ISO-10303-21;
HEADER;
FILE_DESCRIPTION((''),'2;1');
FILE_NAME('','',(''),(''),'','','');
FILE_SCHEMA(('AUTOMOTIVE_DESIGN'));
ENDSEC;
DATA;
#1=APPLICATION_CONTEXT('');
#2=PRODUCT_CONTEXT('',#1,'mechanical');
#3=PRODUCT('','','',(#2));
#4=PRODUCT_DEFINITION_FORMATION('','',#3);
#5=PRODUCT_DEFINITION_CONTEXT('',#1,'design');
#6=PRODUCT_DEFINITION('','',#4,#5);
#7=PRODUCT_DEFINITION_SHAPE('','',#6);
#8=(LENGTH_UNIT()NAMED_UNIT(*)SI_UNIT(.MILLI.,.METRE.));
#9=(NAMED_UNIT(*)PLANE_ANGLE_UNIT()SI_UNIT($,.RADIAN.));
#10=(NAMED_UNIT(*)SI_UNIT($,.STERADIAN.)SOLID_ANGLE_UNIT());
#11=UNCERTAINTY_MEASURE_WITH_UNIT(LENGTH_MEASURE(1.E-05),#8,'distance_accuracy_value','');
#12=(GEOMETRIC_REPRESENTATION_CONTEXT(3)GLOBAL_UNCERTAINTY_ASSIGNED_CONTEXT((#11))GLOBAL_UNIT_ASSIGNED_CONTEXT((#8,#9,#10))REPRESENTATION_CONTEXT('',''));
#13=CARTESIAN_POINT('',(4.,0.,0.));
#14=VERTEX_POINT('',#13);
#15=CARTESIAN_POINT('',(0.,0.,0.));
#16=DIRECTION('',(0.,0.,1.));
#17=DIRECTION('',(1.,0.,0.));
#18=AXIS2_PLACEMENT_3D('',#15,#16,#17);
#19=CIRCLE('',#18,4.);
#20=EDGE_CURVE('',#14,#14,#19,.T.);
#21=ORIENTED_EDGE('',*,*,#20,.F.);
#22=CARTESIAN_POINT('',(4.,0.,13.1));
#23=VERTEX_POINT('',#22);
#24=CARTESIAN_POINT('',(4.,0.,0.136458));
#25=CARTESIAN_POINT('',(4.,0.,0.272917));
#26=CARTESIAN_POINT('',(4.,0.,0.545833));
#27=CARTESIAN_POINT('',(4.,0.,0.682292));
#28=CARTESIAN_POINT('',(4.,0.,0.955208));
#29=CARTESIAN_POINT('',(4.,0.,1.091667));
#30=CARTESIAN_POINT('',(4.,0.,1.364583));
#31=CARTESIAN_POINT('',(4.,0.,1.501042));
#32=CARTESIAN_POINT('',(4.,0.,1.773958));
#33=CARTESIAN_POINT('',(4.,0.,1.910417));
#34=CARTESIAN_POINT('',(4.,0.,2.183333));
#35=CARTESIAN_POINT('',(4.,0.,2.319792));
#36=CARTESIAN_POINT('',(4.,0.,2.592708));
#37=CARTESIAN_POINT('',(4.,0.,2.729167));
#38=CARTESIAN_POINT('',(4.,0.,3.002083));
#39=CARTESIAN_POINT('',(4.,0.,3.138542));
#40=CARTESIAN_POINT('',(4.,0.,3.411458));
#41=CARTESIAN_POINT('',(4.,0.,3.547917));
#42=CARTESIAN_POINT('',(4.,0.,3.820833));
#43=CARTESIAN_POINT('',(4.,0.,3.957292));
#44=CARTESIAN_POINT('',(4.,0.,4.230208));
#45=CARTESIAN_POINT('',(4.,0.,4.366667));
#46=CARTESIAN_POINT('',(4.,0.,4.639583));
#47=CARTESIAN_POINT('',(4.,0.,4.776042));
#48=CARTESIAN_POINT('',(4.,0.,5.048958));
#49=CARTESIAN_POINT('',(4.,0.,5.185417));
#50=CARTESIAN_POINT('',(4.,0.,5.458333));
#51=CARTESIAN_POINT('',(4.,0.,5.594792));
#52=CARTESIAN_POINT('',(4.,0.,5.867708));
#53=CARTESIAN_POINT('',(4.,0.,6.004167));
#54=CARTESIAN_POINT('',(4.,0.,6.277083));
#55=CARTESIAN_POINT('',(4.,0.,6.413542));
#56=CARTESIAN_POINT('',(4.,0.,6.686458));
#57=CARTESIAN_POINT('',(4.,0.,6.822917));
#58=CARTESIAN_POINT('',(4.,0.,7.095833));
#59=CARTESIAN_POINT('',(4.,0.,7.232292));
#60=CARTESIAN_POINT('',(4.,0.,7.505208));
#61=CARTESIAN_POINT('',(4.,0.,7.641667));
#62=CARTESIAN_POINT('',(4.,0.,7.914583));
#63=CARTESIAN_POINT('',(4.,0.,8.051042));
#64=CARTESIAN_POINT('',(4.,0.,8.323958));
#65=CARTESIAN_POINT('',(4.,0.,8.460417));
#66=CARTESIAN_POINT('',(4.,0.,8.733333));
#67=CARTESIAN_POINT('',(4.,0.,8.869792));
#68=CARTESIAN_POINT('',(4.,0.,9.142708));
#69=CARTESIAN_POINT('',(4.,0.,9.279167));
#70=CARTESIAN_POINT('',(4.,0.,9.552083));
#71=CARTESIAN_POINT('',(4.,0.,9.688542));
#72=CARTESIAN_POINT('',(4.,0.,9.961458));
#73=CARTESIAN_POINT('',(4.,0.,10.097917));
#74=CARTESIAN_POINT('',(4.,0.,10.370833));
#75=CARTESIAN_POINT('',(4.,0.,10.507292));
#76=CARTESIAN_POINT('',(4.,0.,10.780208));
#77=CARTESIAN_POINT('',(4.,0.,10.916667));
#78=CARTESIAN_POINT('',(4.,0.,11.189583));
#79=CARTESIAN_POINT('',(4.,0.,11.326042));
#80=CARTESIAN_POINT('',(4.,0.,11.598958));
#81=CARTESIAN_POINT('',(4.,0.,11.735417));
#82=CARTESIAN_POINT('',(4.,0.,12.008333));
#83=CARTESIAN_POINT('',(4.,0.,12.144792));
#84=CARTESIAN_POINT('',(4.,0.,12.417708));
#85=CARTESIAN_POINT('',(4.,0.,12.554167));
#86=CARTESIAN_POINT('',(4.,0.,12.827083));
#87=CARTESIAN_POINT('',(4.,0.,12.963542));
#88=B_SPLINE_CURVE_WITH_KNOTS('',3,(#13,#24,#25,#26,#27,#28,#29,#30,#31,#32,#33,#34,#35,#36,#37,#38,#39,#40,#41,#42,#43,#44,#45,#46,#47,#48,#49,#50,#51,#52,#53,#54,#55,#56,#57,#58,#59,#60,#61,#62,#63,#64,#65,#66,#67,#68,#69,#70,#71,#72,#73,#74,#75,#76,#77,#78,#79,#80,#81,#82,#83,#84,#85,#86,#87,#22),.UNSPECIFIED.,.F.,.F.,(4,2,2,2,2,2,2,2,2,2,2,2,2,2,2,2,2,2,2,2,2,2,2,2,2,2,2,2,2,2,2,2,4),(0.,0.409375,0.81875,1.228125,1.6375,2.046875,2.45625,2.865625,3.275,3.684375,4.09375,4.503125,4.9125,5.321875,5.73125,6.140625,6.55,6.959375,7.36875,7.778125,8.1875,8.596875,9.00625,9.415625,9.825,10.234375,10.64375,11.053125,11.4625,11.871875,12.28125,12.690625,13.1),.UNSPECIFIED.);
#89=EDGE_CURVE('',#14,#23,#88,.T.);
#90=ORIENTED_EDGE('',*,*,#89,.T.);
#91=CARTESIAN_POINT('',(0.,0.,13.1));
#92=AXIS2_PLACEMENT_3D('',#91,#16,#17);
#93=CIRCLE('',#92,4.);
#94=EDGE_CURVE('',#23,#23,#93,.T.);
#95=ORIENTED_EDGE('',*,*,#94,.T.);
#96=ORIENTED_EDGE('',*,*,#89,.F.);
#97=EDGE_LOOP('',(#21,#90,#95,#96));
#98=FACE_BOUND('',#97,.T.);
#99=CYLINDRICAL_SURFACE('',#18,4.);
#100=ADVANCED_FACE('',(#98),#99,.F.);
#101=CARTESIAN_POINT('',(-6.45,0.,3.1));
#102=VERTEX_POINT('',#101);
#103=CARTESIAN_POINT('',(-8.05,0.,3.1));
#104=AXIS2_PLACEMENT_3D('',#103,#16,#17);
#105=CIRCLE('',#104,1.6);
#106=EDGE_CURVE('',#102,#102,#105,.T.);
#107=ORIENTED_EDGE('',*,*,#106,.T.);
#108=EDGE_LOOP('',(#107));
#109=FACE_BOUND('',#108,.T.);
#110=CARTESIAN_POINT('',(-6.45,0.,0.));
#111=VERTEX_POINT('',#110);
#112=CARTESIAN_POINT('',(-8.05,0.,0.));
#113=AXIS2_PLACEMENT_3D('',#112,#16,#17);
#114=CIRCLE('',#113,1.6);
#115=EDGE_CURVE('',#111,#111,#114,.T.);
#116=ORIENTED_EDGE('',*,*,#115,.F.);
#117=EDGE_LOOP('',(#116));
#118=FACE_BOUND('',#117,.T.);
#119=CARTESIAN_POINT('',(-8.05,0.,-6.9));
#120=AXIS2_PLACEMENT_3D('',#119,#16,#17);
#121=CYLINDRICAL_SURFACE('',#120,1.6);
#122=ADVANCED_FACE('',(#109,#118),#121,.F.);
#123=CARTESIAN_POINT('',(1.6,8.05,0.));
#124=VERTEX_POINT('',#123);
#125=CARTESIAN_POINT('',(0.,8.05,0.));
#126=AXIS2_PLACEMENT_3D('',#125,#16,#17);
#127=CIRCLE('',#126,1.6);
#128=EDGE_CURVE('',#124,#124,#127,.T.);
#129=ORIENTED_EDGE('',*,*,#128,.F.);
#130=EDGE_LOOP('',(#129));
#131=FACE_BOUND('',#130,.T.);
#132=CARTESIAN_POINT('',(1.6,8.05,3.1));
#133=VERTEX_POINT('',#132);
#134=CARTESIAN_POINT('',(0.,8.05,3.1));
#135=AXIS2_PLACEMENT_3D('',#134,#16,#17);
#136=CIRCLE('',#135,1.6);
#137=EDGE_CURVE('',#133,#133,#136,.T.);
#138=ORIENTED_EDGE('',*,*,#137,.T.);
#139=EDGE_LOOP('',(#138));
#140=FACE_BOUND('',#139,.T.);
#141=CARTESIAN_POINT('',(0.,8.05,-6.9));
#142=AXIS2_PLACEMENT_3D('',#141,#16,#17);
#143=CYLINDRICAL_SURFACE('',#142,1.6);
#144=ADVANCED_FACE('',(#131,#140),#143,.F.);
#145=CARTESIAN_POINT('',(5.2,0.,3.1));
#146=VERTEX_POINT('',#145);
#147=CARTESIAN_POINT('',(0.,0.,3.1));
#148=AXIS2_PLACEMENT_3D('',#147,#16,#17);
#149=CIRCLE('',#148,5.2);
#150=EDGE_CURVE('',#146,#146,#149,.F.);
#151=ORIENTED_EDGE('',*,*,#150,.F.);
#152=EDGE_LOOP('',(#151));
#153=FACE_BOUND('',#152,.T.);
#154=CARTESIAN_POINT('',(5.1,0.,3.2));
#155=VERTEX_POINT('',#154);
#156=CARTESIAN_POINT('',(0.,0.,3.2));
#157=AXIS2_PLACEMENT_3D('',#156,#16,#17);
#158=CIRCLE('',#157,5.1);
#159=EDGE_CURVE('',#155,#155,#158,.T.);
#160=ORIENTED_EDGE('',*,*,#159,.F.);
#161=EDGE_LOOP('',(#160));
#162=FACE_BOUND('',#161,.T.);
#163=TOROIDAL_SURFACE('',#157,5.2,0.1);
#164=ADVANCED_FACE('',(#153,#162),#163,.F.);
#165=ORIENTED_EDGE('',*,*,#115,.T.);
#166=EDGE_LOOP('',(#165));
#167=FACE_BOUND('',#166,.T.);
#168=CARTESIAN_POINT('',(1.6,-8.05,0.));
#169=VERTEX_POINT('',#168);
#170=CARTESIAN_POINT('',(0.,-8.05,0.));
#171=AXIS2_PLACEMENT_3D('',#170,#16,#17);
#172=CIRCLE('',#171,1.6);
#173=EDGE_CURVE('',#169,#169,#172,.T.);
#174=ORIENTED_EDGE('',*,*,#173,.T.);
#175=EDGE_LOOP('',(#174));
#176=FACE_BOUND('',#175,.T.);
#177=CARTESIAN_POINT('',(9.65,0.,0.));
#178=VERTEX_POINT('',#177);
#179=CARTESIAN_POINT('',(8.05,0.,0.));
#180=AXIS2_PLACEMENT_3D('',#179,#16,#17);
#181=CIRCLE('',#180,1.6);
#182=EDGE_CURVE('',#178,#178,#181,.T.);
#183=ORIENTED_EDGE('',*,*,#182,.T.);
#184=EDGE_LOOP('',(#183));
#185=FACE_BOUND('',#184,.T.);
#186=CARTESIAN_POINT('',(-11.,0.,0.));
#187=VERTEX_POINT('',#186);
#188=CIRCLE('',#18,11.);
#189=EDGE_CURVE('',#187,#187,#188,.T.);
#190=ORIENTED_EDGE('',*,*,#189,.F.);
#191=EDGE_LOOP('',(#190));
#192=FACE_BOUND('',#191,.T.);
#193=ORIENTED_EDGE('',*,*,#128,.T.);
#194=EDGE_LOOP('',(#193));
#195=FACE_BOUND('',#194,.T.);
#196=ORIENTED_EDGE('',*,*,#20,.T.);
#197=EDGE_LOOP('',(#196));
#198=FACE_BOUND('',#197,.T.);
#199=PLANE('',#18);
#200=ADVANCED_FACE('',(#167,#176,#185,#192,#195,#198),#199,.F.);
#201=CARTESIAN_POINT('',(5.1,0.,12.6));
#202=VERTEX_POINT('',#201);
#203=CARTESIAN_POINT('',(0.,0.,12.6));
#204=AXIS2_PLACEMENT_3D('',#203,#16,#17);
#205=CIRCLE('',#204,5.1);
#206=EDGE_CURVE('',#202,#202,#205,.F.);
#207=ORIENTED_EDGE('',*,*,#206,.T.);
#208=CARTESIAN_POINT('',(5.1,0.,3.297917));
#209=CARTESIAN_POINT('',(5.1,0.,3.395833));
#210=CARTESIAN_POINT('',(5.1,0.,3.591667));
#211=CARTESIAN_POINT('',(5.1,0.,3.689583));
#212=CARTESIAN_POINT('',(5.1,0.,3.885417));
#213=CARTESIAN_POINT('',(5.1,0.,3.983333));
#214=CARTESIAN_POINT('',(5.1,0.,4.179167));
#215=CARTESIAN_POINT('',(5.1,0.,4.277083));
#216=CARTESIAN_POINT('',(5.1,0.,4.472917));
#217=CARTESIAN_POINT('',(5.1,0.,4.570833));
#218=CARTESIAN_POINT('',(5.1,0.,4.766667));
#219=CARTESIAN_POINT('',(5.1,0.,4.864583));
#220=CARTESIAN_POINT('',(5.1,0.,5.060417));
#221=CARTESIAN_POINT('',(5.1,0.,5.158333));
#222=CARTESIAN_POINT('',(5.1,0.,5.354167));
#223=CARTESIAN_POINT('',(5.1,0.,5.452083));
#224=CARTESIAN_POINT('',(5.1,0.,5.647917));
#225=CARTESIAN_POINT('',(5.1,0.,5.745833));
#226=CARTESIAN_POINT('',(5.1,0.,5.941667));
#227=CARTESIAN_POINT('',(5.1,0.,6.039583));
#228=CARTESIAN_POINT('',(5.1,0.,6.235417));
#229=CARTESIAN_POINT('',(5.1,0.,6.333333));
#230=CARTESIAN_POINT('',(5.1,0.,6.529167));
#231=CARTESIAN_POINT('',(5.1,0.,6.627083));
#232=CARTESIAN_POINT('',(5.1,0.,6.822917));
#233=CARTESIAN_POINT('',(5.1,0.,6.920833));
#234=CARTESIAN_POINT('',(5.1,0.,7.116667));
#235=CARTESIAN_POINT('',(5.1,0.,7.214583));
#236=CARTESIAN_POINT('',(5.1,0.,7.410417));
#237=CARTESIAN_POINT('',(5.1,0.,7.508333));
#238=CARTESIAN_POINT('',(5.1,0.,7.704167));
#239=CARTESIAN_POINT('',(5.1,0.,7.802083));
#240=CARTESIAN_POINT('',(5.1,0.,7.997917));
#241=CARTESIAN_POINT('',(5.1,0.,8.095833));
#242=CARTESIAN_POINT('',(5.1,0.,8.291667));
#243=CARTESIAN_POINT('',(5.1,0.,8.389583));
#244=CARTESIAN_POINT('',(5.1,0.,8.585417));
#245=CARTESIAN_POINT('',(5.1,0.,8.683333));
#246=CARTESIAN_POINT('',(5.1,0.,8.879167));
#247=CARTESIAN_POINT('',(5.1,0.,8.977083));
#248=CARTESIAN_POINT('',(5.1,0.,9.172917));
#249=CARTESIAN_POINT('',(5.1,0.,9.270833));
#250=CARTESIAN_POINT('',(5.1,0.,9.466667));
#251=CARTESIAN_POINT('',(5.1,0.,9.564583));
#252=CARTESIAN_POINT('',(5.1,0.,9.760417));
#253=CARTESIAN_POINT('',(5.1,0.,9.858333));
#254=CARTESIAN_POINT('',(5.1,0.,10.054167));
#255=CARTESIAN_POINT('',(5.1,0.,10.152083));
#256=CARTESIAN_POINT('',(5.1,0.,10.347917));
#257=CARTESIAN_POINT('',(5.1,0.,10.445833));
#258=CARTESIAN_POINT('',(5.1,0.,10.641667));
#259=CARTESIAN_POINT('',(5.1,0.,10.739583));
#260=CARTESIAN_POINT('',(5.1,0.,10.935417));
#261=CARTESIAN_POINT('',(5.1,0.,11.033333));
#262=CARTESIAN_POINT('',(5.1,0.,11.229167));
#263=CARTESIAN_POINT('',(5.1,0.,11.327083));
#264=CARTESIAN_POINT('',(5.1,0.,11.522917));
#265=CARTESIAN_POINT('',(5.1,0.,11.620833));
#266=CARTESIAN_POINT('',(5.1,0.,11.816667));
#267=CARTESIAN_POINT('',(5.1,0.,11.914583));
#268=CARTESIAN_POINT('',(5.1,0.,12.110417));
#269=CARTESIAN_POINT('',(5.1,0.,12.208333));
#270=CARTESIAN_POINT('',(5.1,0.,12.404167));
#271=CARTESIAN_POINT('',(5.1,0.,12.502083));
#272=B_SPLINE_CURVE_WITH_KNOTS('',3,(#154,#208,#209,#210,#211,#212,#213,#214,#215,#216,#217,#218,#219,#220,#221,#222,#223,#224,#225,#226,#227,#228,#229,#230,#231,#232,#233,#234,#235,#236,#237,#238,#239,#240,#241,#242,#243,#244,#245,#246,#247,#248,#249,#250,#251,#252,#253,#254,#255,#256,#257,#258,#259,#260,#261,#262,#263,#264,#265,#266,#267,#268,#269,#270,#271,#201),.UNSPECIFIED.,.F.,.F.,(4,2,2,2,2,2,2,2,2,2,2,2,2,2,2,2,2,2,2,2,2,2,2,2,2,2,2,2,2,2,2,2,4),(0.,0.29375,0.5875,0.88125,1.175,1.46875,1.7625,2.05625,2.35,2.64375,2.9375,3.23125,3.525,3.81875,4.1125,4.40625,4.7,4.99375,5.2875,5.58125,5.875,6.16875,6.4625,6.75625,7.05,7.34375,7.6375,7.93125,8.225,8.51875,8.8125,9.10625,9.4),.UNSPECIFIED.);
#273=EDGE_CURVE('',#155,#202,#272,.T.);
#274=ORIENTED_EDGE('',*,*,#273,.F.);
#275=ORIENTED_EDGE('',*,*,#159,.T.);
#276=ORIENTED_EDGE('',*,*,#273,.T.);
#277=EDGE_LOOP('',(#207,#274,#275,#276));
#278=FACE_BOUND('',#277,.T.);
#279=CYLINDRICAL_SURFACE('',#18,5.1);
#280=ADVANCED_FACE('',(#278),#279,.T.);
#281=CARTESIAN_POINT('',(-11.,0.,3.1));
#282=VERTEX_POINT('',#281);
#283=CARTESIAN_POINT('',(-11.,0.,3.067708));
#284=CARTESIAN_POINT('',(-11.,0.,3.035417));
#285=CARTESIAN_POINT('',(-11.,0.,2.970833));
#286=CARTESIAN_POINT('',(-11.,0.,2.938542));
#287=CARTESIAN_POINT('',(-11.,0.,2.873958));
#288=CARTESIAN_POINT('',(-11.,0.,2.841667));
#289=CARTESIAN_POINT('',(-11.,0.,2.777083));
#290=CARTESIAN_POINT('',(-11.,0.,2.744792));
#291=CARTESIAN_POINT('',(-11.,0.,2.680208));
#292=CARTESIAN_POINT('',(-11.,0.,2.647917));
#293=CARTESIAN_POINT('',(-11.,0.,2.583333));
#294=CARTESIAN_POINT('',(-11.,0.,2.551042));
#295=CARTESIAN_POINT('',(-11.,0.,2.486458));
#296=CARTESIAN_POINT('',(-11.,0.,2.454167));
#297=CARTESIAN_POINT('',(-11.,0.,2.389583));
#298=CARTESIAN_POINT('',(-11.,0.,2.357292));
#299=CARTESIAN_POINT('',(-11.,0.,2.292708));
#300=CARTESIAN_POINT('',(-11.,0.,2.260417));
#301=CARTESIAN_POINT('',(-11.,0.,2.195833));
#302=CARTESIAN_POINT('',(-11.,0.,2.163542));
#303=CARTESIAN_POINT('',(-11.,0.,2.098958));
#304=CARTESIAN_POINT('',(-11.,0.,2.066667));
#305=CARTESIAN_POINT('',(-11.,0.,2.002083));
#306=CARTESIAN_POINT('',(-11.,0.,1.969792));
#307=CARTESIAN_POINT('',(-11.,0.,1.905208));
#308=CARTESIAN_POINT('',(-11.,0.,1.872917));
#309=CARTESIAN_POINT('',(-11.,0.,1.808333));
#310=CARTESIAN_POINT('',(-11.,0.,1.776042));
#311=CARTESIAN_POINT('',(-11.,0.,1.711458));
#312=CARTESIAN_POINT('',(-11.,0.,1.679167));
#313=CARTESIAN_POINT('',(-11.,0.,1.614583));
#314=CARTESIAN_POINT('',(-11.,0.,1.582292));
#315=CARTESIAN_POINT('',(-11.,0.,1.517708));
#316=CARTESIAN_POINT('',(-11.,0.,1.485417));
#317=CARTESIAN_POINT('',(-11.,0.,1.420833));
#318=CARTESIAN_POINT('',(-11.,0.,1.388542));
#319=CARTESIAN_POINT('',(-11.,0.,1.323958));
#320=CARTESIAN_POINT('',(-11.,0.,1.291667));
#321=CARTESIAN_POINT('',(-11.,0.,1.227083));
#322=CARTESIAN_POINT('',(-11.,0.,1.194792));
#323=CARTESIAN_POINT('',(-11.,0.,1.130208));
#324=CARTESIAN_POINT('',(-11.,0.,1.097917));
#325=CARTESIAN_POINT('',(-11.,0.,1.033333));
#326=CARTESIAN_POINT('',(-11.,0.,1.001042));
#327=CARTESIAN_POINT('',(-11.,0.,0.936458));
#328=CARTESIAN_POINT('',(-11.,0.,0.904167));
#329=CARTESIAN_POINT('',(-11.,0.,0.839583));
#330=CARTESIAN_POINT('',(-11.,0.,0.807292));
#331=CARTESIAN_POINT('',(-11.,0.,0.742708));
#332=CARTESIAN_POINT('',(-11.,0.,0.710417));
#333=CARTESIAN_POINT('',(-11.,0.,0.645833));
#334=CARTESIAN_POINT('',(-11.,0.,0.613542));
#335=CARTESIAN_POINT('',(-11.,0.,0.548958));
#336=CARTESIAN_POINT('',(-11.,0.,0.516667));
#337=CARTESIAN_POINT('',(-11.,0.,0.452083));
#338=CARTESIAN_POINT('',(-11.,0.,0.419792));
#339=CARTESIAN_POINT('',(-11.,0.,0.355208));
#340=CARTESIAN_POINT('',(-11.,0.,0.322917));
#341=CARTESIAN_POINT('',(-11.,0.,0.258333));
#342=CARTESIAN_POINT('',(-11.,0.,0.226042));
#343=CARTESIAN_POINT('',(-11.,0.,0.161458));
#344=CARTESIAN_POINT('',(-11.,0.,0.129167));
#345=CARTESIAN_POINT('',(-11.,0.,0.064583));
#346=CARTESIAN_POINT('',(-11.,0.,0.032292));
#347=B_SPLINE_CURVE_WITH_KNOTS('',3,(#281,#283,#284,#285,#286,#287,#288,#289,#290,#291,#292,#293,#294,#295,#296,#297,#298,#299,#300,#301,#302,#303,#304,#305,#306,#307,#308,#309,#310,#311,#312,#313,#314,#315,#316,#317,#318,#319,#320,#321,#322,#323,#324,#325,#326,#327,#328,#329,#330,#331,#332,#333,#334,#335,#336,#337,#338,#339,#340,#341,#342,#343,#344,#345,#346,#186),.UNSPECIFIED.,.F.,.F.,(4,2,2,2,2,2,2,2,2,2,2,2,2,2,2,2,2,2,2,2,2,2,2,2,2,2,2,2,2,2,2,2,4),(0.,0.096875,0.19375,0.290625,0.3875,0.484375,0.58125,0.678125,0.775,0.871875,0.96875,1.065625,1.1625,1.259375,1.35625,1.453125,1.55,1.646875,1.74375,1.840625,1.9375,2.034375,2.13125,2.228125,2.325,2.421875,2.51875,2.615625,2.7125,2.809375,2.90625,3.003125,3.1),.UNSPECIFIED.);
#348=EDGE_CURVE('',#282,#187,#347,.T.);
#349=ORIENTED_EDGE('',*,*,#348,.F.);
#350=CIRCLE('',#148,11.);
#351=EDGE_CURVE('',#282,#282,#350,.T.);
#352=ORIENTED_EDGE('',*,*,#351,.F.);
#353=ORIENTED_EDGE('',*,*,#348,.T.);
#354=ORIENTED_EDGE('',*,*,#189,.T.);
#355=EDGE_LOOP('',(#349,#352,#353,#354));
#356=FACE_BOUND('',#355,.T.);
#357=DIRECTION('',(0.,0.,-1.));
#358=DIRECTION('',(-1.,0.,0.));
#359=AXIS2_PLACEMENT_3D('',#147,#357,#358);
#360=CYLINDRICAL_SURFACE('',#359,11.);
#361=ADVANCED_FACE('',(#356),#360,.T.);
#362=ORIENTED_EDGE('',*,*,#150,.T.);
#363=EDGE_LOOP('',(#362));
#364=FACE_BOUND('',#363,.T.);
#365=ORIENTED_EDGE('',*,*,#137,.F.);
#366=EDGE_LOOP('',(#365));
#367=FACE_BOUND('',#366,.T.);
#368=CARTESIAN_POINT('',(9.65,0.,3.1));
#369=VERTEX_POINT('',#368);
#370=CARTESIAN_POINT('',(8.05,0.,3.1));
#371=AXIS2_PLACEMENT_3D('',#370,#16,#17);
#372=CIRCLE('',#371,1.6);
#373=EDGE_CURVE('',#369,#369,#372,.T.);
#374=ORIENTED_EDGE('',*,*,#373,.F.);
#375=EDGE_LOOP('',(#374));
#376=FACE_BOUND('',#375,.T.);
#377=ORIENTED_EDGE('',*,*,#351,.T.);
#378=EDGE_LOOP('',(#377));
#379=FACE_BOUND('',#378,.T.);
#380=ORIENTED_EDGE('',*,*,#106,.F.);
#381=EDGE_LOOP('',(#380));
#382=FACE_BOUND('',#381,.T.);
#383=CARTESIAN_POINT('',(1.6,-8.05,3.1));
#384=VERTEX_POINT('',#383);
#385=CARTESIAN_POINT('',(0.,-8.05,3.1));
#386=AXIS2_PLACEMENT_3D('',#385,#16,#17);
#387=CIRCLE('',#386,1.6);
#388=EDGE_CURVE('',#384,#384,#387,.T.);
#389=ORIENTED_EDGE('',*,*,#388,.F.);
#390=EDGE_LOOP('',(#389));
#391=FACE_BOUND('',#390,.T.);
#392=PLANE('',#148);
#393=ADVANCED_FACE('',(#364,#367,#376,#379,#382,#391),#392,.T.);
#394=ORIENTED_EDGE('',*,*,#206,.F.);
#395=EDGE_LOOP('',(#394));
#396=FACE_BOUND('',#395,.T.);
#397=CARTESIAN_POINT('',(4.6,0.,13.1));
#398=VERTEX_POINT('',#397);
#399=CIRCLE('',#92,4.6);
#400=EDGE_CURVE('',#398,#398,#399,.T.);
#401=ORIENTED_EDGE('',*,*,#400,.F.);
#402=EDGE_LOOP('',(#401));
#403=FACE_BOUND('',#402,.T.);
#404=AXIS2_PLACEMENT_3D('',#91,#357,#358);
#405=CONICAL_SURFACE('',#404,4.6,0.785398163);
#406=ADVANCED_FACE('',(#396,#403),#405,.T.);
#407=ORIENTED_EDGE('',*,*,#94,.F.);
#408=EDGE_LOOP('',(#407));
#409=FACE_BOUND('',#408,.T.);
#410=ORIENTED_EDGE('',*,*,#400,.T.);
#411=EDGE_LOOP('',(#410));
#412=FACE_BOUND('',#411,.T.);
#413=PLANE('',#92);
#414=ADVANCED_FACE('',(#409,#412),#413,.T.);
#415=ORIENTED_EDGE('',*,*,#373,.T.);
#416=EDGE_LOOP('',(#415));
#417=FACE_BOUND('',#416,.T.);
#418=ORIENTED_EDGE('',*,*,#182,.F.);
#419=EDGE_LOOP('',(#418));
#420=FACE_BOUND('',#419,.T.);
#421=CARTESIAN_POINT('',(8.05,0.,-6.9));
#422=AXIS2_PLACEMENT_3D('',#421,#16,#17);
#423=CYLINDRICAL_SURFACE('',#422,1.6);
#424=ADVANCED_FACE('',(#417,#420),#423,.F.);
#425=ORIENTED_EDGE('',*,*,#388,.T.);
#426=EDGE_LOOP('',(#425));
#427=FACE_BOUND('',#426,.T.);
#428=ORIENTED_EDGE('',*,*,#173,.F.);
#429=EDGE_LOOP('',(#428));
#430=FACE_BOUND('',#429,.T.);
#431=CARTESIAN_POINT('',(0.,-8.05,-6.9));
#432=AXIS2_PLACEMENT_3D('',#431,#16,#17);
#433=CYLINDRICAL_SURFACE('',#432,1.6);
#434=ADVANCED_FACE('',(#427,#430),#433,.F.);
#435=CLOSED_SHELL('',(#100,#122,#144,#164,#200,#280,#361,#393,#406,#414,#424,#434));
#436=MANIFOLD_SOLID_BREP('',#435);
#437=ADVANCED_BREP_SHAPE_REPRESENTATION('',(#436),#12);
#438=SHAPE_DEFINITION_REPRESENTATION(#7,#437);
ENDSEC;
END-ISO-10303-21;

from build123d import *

# Parameters (mm, degrees)
SKETCH1_R                = 11
SKETCH1_R_2              = 5.075
BOSS_EXTRUDE1_DEPTH      = 3.1
BOSS_EXTRUDE2_DEPTH      = 10
BOSS_EXTRUDE2_DEPTH_BACK = 3.1
SKETCH2_R                = 5.1
SKETCH2_R_2              = 4
CHAMFER1_SIZE            = 0.5
FILLET1_R                = 0.1
SKETCH3_R                = 1.6
CUT_EXTRUDE1_DEPTH       = 10


with BuildPart() as part:
    # Sketch1 → Boss-Extrude1 (new body)
    with BuildSketch(Plane.XY):
        with Locations(Location((0, 0, 0), (0, 0, 180))):
            Circle(SKETCH1_R)
        with Locations(Location((0, 0, 0), (0, 0, 180))):
            Circle(SKETCH1_R_2, mode=Mode.SUBTRACT)
    extrude(amount=BOSS_EXTRUDE1_DEPTH)

    # Sketch2 → Boss-Extrude2 (add, two sides: drawn at the far end of the back side and taken through both)
    with BuildSketch(Plane.XY.offset(3.1).offset(-BOSS_EXTRUDE2_DEPTH_BACK)):
        Circle(SKETCH2_R)
        Circle(SKETCH2_R_2, mode=Mode.SUBTRACT)
    extrude(amount=BOSS_EXTRUDE2_DEPTH + BOSS_EXTRUDE2_DEPTH_BACK)

    # Chamfer1
    chamfer1_edges = [part.edges().sort_by_distance(p)[0] for p in [
        (-5.1, 0, 13.1),
    ]]
    chamfer(chamfer1_edges, length=CHAMFER1_SIZE)

    # Fillet1
    fillet1_edges = [part.edges().sort_by_distance(p)[0] for p in [
        (-5.1, 0, 3.1),
    ]]
    fillet(fillet1_edges, radius=FILLET1_R)

    # Sketch3 → Cut-Extrude1 (cut)
    with BuildSketch(Plane.XY.offset(3.1)):
        with Locations((0, 8.05)):
            Circle(SKETCH3_R)
        with Locations((8.05, 0)):
            Circle(SKETCH3_R)
        with Locations((0, -8.05)):
            Circle(SKETCH3_R)
        with Locations((-8.05, 0)):
            Circle(SKETCH3_R)
    extrude(amount=-CUT_EXTRUDE1_DEPTH, mode=Mode.SUBTRACT)


solid = part.part
